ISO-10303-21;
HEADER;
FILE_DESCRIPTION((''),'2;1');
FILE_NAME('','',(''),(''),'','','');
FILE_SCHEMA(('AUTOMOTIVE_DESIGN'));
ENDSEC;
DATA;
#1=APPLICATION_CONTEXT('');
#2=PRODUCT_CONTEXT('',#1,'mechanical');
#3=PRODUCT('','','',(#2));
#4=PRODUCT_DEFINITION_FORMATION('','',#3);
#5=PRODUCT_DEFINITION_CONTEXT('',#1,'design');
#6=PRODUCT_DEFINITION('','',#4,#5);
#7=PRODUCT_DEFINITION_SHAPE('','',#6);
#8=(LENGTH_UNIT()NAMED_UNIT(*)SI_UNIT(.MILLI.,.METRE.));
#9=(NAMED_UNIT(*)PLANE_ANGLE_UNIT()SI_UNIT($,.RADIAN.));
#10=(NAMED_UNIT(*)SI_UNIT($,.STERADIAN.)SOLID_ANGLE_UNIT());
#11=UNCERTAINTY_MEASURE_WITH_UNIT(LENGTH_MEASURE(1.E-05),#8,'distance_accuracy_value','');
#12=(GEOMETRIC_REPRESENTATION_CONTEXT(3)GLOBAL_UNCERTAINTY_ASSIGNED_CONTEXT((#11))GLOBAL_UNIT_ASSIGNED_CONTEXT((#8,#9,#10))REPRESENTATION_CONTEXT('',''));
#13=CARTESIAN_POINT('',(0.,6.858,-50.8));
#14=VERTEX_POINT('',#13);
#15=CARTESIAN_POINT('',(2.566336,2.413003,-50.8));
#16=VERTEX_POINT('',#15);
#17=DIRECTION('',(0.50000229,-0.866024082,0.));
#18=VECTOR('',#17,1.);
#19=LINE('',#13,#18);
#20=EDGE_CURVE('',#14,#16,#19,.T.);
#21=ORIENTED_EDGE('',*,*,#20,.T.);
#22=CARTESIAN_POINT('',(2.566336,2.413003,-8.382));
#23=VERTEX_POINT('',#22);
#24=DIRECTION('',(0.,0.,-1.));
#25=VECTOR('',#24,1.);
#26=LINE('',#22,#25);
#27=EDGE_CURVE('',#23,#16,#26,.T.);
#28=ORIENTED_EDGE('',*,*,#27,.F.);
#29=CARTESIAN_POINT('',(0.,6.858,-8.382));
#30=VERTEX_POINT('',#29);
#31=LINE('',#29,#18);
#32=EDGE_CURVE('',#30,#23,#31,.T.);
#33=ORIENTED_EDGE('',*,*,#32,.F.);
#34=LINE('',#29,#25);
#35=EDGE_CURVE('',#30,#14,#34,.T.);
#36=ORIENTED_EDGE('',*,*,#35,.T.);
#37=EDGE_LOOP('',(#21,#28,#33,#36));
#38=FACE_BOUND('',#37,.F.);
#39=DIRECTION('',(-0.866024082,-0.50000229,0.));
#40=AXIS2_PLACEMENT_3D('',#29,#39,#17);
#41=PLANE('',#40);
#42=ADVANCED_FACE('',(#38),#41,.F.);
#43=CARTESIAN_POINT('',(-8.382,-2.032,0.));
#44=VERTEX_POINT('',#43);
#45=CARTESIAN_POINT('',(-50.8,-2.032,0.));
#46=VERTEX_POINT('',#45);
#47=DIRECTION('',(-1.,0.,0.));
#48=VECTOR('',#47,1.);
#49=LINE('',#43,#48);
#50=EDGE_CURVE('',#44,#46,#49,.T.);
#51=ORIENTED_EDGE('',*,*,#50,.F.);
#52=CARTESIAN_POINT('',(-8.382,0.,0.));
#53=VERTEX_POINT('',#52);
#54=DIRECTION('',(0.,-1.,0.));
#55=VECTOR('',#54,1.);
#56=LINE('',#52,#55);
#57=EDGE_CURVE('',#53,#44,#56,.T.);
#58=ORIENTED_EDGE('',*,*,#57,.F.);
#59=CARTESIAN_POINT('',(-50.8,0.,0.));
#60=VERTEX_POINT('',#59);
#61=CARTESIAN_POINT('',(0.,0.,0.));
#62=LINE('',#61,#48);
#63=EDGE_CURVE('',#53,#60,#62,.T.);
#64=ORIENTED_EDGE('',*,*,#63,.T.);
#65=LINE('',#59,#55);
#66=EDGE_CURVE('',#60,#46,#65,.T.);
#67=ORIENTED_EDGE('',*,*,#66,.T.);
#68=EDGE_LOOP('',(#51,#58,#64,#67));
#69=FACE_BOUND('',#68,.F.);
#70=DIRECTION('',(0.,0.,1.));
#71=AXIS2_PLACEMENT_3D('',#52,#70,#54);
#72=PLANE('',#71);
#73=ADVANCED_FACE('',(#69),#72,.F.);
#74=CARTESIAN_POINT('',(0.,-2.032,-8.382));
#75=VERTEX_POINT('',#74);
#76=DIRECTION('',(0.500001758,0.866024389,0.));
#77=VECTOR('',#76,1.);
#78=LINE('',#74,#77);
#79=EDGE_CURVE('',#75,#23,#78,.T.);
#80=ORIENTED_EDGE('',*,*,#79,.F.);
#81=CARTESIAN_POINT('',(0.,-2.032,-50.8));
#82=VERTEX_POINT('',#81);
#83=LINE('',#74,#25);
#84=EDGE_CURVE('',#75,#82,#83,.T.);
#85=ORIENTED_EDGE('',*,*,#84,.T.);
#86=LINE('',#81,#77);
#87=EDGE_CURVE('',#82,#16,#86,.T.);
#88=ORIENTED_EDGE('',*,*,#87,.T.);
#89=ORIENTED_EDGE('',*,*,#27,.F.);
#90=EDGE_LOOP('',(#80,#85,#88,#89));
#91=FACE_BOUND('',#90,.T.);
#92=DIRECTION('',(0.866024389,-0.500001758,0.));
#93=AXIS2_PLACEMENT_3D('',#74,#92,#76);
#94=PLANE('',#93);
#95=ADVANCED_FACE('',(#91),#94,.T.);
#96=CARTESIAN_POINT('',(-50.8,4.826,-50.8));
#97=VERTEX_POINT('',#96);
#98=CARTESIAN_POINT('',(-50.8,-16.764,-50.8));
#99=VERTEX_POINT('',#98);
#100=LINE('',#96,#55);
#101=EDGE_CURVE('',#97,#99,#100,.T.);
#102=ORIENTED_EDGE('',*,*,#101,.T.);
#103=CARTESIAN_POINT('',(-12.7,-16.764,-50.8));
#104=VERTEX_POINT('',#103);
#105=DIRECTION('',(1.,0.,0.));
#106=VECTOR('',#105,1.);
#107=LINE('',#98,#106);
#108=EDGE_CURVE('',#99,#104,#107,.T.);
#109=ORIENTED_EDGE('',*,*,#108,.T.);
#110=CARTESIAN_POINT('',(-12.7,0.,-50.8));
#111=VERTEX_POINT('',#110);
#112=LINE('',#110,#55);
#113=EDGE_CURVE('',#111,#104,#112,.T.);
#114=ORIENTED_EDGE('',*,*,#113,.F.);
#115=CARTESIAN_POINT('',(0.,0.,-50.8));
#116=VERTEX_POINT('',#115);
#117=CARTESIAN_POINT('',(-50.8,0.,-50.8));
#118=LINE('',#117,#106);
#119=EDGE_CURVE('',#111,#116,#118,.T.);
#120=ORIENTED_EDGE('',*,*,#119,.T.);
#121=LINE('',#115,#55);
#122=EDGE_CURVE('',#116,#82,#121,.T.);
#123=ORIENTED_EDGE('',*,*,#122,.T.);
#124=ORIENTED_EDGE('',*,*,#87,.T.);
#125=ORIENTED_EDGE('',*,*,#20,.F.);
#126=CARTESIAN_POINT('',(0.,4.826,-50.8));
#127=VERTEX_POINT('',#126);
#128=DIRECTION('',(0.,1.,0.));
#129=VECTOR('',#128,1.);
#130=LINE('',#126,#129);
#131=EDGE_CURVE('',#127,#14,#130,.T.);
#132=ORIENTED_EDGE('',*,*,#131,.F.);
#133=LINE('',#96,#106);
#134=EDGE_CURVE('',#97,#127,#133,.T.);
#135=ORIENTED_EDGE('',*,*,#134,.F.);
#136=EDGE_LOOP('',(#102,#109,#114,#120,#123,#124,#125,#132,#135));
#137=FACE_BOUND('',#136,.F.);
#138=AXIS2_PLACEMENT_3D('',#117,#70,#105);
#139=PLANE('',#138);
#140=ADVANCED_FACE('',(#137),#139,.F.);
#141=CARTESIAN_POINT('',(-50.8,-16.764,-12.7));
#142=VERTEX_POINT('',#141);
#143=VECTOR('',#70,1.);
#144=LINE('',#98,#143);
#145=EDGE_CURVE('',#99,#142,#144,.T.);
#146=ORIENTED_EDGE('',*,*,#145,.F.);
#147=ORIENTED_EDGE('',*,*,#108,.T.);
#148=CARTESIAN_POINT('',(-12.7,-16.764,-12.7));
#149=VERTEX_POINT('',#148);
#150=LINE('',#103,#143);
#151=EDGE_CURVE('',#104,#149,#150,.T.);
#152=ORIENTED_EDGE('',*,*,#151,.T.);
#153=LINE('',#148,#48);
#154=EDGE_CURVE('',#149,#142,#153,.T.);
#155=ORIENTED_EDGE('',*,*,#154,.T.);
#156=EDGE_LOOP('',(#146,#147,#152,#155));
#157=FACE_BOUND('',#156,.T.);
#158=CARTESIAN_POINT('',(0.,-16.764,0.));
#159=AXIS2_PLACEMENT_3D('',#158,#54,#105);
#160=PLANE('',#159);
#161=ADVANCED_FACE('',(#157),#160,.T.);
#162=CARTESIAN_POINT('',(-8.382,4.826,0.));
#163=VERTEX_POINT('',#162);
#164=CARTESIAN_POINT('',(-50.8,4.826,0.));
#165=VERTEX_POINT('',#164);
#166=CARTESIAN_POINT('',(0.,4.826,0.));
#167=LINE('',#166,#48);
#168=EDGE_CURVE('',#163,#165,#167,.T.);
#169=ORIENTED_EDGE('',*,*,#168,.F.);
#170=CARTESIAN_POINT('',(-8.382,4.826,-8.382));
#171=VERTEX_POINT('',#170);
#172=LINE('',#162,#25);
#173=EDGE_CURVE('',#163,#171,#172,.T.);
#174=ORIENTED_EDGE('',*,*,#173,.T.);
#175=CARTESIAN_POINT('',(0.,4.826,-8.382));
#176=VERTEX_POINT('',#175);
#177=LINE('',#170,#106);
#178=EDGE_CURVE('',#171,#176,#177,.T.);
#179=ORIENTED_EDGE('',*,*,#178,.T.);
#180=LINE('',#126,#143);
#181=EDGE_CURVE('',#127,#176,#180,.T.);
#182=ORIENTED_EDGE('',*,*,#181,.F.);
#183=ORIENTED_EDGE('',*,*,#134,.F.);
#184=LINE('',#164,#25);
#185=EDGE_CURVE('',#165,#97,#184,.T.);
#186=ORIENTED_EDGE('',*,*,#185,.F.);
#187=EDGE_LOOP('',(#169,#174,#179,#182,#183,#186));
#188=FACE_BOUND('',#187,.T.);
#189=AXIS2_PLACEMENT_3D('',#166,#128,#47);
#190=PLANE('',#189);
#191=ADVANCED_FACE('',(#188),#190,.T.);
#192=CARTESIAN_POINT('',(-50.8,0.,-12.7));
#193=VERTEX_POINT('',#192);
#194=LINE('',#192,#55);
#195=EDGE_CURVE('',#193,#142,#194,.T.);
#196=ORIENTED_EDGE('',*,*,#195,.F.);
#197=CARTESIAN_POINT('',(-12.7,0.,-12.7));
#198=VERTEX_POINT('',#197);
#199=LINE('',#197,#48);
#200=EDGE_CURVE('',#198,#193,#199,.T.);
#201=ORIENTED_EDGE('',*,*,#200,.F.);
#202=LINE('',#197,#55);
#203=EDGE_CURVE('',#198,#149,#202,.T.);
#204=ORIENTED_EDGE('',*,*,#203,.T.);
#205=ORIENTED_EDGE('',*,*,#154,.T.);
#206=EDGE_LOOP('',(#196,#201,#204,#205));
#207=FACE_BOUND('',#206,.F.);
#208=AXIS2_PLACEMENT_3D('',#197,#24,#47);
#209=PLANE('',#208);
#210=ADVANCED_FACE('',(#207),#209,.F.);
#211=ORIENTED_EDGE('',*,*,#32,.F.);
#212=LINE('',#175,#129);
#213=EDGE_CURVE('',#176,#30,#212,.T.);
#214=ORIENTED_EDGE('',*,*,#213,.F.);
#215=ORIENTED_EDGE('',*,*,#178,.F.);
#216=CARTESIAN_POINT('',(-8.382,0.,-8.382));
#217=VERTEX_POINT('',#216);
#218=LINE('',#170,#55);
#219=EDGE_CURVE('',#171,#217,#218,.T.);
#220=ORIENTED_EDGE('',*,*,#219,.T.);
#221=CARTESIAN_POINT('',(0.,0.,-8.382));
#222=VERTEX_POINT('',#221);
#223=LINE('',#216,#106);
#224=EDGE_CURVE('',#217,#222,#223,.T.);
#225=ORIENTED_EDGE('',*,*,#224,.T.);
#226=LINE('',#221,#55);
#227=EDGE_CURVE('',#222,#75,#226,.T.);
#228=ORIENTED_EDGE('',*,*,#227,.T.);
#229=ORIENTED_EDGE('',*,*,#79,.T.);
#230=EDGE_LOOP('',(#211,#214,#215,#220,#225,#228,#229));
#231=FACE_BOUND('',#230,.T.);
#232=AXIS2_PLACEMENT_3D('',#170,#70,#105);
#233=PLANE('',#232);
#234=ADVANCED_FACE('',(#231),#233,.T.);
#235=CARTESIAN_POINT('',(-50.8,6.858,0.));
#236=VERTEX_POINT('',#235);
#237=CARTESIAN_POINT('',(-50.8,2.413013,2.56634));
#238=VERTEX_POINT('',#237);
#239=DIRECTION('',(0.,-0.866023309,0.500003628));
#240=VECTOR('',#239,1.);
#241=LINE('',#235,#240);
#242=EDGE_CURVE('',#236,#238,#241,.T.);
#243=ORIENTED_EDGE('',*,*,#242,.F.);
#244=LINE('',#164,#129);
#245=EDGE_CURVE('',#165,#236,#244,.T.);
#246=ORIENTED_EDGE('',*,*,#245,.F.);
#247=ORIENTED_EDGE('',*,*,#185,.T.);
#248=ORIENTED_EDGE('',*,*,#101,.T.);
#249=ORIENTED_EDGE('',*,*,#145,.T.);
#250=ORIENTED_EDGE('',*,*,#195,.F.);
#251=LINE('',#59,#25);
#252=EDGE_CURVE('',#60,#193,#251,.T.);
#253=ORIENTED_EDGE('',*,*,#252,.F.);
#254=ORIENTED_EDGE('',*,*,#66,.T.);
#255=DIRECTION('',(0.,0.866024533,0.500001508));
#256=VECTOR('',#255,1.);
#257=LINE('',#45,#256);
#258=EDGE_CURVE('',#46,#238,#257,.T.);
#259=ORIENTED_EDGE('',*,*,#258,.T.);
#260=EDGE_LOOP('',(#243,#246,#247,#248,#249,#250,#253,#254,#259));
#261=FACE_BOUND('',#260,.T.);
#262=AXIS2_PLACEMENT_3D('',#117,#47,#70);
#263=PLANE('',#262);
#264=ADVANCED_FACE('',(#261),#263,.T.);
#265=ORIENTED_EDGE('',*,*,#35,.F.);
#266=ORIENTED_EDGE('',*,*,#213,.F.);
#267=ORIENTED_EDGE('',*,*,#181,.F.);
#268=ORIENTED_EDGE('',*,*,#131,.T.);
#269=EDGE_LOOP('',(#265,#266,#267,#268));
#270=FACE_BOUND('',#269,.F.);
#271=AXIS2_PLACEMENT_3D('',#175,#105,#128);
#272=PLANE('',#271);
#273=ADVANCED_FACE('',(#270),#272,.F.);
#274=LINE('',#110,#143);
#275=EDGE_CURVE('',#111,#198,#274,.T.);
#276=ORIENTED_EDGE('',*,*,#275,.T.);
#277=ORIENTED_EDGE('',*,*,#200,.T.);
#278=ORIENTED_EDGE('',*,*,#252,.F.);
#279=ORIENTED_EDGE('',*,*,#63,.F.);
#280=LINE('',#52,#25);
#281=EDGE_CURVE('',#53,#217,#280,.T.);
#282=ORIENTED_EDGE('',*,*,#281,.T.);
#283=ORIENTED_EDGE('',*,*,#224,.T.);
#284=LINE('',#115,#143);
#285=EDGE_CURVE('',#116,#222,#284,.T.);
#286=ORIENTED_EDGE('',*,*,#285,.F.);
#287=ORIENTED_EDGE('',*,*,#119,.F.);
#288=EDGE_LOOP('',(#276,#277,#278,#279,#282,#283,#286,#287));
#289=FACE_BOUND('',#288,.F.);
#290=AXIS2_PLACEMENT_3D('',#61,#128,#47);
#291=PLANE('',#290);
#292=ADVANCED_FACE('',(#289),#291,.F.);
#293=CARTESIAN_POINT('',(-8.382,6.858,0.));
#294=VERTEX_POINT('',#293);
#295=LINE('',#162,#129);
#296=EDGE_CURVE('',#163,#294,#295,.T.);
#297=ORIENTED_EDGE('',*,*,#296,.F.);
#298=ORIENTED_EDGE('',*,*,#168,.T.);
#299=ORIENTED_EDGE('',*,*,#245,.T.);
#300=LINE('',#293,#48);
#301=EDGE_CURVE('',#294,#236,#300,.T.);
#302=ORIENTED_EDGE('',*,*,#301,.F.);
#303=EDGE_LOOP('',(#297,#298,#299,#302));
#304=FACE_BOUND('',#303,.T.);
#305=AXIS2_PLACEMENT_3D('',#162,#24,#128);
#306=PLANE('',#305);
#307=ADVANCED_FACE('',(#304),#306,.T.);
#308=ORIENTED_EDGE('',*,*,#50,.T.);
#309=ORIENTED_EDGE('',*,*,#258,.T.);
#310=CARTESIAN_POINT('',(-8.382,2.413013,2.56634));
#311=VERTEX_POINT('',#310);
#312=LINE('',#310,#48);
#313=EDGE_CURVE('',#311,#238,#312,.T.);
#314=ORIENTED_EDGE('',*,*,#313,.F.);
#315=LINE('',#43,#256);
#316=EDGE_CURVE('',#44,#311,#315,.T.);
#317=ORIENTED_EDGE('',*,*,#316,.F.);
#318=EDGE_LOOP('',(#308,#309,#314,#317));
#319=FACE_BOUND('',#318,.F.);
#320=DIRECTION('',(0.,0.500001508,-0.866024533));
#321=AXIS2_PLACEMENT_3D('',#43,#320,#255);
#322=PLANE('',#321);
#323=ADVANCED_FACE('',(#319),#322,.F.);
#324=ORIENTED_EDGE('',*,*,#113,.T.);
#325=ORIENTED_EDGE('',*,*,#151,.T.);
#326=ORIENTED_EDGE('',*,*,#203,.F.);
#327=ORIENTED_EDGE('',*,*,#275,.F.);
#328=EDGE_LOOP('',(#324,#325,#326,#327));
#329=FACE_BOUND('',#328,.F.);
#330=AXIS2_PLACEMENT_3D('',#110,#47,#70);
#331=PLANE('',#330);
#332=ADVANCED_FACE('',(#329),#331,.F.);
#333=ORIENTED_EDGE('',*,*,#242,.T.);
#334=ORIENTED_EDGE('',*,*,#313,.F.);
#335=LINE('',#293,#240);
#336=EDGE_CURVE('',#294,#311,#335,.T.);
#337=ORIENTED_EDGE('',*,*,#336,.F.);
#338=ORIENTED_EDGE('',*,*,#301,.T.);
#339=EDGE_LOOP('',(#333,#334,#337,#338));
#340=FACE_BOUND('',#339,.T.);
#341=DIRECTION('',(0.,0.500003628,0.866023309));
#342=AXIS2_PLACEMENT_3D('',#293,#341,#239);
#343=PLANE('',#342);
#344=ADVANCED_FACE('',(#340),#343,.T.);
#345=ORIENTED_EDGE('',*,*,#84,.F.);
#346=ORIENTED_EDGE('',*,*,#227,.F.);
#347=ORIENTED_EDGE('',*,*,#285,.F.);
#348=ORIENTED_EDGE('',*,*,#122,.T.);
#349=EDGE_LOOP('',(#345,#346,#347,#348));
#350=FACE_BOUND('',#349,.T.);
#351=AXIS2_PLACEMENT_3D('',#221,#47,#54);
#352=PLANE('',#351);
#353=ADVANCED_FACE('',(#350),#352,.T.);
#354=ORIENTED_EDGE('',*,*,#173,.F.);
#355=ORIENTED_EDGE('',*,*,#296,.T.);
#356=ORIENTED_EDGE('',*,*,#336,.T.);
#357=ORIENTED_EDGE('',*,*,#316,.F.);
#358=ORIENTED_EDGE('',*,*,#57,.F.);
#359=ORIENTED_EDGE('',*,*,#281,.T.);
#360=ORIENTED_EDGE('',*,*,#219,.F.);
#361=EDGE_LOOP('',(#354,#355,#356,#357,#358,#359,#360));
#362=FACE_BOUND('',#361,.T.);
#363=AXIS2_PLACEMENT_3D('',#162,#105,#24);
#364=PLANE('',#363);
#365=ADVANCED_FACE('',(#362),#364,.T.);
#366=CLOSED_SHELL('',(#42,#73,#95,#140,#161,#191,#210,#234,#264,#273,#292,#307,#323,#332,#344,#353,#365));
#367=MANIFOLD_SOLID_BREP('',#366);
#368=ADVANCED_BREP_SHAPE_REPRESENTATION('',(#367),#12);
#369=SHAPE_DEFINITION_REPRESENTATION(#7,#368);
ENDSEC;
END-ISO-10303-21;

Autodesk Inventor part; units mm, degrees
ref_plane "YZ Plane" through (0, 0, 0) normal (1, 0, 0) x (0, 1, 0)
ref_plane "XZ Plane" through (0, 0, 0) normal (0, 1, 0) x (-1, 0, 0)
ref_plane "XY Plane" through (0, 0, 0) normal (0, 0, 1) x (1, 0, 0)
sketch "Sketch1" plane through (0, 0, 0) normal (0, 1, 0) x (-1, 0, 0)
  line L0 (0, 0) -> (50.8, 0)
  line L1 (50.8, 0) -> (50.8, -50.8)
  line L2 (50.8, -50.8) -> (0, -50.8)
  line L3 (0, -50.8) -> (0, 0)
  dimension "d0" = 50.8
  dimension "d1" = 50.8
extrude "Extrusion1" add sketch "Sketch1" along normal blind 4.826
sketch "Sketch2" plane through (0, 4.826, 0) normal (0, 1, 0) x (1, 0, 0)
  line L0 (0, 0) -> (-8.382, 0)
  line L1 (-8.382, 0) -> (-8.382, 8.382)
  line L2 (-8.382, 8.382) -> (0, 8.382)
  line L3 (0, 8.382) -> (0, 0)
  line L4 (-8.382, 8.382) -> (-50.8, 8.382)
  line L5 (-50.8, 50.8) -> (-50.8, 0) projected
  line L6 (-8.382, 8.382) -> (-8.382, 50.8)
  dimension "d4" = 8.382
  dimension "d5" = 8.382
extrude "Extrusion2" cut sketch "Sketch2" against normal blind 4.826
sketch "Sketch3" plane through (-8.382, 4.826, 0) normal (1, 0, 0) x (0, 0, -1)
  line L0 (0, -4.826) -> (0, 0) projected
  line L1 (0, 0) -> (0, 2.032)
  line L2 (0, -4.826) -> (0, -6.858)
  line L3 (0, -6.858) -> (-6.204, 3.8876)
  line L4 (0, 2.032) -> (-4.5461, -5.842)
  line L5 (0, 2.032) -> (9.0921, 2.032) construction
  point P0 (-2.5663, -2.413)
  dimension "d8" = 2.032
  dimension "d9" = 2.032
  dimension "d10" = 30
  dimension "d11" = 120
extrude "Extrusion3" add sketch "Sketch3" against normal blind 42.418
sketch "Sketch4" plane through (-8.382, 4.826, -8.382) normal (0, 0, 1) x (1, 0, 0)
  line L0 (8.382, 0) -> (8.382, 2.032)
  line L1 (8.382, 0) -> (10.414, 0) construction
  line L2 (8.382, -4.826) -> (8.382, -6.858)
  line L3 (8.382, -6.858) -> (14.7819, 4.2269)
  line L4 (8.382, 2.032) -> (14.3676, -8.3353)
  line L5 (8.382, 2.032) -> (20.3531, 2.032) construction
  line L6 (8.382, 0) -> (-42.418, 0) projected
  line L7 (8.382, 0) -> (8.382, -4.826)
  point P0 (10.9483, -2.413)
  dimension "d14" = 2.032
  dimension "d15" = 90
  dimension "d16" = 2.032
  dimension "d17" = 30
  dimension "d18" = 60
extrude "Extrusion4" add sketch "Sketch4" against normal blind 42.418
sketch "Sketch6" plane through (0, 0, 0) normal (0, -1, 0) x (1, 0, 0)
  line L0 (-50.8, -50.8) -> (-50.8, 0) projected
  line L1 (-50.8, -50.8) -> (-12.7, -50.8)
  line L2 (-12.7, -50.8) -> (-12.7, -12.7)
  line L3 (-12.7, -12.7) -> (-50.8, -12.7)
  line L4 (-50.8, -12.7) -> (-50.8, -50.8)
  point P0 (0, 0)
  dimension "d21" = 38.1
  dimension "d22" = 38.1
extrude "Extrusion5" add sketch "Sketch6" along normal blind 16.764
properties part number "corner support"
